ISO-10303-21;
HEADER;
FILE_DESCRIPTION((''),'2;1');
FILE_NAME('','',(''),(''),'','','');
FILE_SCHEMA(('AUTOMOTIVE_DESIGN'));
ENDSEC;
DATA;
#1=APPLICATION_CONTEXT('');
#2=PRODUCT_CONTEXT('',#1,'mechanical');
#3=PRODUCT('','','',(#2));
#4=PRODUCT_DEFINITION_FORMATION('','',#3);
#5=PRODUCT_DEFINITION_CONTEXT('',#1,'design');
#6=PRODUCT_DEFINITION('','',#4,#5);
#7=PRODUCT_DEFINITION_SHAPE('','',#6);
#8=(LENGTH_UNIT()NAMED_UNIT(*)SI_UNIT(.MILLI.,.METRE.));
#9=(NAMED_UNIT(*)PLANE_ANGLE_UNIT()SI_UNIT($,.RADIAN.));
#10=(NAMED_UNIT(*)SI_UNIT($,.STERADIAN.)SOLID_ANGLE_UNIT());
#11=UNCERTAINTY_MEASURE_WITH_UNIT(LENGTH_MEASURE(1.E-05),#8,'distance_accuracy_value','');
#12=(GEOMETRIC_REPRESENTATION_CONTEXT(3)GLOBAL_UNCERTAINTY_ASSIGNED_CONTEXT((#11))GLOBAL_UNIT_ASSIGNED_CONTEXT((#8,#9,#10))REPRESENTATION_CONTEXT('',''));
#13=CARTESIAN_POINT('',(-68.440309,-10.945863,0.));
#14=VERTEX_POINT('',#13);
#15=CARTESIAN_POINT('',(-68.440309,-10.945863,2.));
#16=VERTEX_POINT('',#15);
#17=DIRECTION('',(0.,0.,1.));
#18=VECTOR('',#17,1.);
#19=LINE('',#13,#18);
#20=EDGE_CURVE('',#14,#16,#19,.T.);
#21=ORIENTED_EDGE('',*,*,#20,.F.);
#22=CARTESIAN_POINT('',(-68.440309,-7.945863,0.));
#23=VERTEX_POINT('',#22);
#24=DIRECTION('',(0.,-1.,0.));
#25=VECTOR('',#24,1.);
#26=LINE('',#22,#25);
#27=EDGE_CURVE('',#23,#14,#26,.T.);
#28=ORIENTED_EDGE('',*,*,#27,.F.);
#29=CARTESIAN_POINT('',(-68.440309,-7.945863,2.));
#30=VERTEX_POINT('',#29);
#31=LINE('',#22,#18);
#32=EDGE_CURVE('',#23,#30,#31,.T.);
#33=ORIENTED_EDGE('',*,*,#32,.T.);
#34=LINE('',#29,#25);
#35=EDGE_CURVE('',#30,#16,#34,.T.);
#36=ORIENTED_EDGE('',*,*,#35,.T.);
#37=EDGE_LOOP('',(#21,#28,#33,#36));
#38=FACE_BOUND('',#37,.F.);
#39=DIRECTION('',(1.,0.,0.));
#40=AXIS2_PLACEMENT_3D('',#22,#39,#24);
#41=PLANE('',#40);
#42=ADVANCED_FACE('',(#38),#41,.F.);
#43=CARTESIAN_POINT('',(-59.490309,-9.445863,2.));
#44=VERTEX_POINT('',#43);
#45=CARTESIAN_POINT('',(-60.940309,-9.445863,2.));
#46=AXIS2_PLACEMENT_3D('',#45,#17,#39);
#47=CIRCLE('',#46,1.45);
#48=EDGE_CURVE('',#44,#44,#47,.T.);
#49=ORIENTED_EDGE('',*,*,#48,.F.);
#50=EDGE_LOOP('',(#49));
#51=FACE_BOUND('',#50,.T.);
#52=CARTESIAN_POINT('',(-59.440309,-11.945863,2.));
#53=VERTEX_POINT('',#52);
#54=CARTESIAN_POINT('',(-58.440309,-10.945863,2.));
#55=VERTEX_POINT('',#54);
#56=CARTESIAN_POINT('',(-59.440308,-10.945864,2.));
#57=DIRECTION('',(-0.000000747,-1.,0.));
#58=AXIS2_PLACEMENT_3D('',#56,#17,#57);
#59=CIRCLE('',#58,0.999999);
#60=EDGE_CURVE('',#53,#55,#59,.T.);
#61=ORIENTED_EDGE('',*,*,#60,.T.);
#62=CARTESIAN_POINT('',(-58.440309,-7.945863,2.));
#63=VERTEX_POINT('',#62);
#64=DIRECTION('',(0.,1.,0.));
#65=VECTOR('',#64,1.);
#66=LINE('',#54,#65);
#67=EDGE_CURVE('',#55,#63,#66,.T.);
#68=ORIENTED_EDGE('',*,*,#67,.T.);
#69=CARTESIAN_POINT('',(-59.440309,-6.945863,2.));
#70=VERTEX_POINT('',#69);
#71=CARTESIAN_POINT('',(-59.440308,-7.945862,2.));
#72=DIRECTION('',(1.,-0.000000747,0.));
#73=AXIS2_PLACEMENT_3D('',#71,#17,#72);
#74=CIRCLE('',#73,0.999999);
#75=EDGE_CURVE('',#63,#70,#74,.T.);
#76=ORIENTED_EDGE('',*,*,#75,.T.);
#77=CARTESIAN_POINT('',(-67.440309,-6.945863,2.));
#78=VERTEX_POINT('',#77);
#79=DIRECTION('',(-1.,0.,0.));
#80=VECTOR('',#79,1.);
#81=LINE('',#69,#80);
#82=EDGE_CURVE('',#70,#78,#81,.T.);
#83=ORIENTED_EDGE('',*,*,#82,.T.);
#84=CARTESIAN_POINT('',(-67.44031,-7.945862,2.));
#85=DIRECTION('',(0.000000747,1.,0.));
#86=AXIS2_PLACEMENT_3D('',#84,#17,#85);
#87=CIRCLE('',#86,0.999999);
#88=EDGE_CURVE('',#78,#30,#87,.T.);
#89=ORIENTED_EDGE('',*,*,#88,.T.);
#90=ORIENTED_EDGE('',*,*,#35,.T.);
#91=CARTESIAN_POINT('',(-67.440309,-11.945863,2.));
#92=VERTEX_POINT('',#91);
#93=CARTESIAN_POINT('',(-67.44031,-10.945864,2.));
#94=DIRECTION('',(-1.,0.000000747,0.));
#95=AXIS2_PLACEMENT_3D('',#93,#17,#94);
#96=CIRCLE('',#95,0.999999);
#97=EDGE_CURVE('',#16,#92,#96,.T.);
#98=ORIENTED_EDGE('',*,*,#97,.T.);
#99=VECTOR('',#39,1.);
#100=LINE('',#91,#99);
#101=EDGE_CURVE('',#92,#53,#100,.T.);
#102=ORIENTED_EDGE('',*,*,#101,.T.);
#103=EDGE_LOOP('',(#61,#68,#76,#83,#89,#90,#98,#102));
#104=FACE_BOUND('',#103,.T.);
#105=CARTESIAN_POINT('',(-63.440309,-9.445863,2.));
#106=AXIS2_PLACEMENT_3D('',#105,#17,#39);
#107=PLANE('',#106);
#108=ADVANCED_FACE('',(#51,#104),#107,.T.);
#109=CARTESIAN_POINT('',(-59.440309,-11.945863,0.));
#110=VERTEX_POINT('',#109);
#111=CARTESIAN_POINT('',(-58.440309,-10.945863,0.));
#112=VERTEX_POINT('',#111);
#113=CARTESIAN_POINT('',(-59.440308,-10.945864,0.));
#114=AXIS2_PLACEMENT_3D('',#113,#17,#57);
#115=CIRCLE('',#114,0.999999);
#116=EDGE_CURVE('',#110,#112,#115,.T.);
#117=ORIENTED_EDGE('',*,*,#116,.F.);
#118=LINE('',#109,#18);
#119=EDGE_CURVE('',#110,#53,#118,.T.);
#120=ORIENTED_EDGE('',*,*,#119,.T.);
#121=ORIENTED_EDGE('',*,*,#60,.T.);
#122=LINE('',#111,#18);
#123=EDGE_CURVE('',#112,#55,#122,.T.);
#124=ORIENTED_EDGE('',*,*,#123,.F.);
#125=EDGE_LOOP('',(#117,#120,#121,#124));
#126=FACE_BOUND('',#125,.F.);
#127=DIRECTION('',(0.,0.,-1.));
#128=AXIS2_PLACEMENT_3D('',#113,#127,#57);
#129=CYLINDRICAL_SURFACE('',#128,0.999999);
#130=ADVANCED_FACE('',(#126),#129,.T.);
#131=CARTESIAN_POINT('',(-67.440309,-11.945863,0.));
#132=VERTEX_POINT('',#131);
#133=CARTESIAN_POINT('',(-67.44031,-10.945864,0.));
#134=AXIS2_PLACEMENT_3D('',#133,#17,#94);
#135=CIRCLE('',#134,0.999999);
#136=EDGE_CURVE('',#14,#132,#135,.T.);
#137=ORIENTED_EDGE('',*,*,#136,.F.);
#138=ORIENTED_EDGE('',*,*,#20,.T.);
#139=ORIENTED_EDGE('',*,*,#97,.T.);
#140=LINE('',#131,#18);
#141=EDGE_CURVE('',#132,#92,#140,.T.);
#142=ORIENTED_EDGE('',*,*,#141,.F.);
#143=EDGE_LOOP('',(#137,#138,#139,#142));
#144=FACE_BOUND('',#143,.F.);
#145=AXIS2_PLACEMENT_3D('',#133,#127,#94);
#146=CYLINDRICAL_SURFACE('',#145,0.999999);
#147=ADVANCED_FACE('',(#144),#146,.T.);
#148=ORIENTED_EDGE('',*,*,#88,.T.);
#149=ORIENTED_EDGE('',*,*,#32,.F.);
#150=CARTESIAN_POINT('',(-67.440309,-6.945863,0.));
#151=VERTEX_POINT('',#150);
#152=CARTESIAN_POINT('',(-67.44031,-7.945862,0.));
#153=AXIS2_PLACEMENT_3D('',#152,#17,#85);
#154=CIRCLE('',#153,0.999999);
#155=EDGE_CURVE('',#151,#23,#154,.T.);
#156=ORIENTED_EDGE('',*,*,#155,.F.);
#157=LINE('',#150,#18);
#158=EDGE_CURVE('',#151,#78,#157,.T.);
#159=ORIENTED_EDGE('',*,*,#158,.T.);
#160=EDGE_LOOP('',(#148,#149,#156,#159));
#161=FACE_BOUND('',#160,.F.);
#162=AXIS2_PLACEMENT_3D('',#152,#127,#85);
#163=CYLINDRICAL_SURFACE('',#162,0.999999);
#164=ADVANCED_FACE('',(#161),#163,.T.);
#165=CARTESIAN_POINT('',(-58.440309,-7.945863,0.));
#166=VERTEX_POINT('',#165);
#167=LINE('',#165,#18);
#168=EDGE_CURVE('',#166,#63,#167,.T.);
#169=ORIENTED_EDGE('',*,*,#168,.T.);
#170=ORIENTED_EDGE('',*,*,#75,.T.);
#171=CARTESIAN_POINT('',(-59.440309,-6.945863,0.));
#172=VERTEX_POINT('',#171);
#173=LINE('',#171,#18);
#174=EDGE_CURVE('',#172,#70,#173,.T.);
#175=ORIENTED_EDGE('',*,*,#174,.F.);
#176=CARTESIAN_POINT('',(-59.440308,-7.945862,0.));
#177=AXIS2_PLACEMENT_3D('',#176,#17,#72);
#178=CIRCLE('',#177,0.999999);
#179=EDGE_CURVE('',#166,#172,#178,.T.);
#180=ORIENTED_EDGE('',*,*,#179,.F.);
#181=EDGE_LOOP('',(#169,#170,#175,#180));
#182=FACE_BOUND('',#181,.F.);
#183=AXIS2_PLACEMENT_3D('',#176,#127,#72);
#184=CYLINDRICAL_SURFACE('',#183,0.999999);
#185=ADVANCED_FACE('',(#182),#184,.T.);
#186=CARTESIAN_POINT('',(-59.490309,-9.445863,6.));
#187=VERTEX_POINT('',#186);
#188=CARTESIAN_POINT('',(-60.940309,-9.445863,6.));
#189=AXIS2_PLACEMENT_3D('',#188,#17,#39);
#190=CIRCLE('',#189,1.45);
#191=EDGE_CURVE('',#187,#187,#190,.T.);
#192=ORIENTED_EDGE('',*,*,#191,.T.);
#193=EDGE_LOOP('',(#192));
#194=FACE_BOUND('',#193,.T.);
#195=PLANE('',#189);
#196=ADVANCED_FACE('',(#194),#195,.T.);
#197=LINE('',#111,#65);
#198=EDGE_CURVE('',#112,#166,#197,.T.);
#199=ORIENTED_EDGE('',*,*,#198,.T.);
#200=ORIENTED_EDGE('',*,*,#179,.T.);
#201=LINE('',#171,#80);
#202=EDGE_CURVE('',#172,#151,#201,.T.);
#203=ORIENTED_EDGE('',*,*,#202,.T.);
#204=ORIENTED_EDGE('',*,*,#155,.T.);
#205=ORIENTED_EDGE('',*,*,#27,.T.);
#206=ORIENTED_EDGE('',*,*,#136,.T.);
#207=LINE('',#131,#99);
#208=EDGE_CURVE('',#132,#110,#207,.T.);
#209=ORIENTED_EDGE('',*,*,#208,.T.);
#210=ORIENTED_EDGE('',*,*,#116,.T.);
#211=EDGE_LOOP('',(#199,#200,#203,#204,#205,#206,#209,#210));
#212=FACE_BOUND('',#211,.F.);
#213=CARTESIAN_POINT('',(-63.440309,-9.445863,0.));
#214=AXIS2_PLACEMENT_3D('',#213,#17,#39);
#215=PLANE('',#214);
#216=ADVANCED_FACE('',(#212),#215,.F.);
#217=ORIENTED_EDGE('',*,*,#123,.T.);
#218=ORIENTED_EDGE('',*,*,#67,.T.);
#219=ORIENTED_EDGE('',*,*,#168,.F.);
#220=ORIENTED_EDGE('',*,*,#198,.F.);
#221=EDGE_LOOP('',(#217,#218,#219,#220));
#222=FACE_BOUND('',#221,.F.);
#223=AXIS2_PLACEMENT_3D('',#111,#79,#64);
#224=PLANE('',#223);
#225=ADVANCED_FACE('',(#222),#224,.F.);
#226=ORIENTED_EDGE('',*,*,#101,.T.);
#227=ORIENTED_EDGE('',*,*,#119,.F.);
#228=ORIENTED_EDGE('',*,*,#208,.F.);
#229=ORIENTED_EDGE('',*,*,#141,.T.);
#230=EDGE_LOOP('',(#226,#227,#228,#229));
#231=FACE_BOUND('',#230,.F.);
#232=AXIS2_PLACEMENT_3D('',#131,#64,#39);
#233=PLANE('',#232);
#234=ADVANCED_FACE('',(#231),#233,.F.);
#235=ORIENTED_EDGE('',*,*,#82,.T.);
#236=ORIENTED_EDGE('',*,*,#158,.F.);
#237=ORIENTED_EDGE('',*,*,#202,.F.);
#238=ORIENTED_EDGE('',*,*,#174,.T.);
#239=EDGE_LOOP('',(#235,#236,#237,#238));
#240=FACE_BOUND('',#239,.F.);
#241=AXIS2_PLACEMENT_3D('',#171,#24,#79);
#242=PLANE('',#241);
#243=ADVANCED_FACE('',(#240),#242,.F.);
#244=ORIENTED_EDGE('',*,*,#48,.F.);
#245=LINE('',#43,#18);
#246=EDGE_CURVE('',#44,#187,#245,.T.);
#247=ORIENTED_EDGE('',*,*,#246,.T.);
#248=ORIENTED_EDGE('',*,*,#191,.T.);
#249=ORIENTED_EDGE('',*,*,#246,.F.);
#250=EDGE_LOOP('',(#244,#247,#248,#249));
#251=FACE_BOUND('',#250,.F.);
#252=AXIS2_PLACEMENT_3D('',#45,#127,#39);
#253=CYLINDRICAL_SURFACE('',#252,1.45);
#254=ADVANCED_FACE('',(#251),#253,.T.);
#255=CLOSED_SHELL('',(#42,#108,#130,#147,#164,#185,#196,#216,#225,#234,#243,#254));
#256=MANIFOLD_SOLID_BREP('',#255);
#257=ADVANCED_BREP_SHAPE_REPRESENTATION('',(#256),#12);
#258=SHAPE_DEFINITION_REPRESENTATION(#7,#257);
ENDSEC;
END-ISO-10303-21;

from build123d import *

# Parameters (mm, degrees)
F1_DEPTH = 2
F2_R     = 1.45
F3_DEPTH = 4


with BuildPart() as f1:
    # F0 (on Top) → F1 (new body)
    with BuildSketch(Plane.XY):
        with BuildLine():
            Line((-67.440309, -11.945863), (-59.440309, -11.945863))
            ThreePointArc((-59.440309, -11.945863), (-58.733202, -11.65297), (-58.440309, -10.945863))
            Line((-58.440309, -10.945863), (-58.440309, -7.945863))
            ThreePointArc((-58.440309, -7.945863), (-58.733202, -7.238756), (-59.440309, -6.945863))
            Line((-59.440309, -6.945863), (-67.440309, -6.945863))
            ThreePointArc((-67.440309, -6.945863), (-68.147416, -7.238756), (-68.440309, -7.945863))
            Line((-68.440309, -7.945863), (-68.440309, -10.945863))
            ThreePointArc((-68.440309, -10.945863), (-68.147416, -11.65297), (-67.440309, -11.945863))
        make_face()
    extrude(amount=F1_DEPTH)

    # F2 (on face) → F3 (join)
    with BuildSketch(Plane.XY.offset(2)):
        with Locations((-60.940309, -9.445863)):
            Circle(F2_R)
    extrude(amount=F3_DEPTH)


solid = f1.part
